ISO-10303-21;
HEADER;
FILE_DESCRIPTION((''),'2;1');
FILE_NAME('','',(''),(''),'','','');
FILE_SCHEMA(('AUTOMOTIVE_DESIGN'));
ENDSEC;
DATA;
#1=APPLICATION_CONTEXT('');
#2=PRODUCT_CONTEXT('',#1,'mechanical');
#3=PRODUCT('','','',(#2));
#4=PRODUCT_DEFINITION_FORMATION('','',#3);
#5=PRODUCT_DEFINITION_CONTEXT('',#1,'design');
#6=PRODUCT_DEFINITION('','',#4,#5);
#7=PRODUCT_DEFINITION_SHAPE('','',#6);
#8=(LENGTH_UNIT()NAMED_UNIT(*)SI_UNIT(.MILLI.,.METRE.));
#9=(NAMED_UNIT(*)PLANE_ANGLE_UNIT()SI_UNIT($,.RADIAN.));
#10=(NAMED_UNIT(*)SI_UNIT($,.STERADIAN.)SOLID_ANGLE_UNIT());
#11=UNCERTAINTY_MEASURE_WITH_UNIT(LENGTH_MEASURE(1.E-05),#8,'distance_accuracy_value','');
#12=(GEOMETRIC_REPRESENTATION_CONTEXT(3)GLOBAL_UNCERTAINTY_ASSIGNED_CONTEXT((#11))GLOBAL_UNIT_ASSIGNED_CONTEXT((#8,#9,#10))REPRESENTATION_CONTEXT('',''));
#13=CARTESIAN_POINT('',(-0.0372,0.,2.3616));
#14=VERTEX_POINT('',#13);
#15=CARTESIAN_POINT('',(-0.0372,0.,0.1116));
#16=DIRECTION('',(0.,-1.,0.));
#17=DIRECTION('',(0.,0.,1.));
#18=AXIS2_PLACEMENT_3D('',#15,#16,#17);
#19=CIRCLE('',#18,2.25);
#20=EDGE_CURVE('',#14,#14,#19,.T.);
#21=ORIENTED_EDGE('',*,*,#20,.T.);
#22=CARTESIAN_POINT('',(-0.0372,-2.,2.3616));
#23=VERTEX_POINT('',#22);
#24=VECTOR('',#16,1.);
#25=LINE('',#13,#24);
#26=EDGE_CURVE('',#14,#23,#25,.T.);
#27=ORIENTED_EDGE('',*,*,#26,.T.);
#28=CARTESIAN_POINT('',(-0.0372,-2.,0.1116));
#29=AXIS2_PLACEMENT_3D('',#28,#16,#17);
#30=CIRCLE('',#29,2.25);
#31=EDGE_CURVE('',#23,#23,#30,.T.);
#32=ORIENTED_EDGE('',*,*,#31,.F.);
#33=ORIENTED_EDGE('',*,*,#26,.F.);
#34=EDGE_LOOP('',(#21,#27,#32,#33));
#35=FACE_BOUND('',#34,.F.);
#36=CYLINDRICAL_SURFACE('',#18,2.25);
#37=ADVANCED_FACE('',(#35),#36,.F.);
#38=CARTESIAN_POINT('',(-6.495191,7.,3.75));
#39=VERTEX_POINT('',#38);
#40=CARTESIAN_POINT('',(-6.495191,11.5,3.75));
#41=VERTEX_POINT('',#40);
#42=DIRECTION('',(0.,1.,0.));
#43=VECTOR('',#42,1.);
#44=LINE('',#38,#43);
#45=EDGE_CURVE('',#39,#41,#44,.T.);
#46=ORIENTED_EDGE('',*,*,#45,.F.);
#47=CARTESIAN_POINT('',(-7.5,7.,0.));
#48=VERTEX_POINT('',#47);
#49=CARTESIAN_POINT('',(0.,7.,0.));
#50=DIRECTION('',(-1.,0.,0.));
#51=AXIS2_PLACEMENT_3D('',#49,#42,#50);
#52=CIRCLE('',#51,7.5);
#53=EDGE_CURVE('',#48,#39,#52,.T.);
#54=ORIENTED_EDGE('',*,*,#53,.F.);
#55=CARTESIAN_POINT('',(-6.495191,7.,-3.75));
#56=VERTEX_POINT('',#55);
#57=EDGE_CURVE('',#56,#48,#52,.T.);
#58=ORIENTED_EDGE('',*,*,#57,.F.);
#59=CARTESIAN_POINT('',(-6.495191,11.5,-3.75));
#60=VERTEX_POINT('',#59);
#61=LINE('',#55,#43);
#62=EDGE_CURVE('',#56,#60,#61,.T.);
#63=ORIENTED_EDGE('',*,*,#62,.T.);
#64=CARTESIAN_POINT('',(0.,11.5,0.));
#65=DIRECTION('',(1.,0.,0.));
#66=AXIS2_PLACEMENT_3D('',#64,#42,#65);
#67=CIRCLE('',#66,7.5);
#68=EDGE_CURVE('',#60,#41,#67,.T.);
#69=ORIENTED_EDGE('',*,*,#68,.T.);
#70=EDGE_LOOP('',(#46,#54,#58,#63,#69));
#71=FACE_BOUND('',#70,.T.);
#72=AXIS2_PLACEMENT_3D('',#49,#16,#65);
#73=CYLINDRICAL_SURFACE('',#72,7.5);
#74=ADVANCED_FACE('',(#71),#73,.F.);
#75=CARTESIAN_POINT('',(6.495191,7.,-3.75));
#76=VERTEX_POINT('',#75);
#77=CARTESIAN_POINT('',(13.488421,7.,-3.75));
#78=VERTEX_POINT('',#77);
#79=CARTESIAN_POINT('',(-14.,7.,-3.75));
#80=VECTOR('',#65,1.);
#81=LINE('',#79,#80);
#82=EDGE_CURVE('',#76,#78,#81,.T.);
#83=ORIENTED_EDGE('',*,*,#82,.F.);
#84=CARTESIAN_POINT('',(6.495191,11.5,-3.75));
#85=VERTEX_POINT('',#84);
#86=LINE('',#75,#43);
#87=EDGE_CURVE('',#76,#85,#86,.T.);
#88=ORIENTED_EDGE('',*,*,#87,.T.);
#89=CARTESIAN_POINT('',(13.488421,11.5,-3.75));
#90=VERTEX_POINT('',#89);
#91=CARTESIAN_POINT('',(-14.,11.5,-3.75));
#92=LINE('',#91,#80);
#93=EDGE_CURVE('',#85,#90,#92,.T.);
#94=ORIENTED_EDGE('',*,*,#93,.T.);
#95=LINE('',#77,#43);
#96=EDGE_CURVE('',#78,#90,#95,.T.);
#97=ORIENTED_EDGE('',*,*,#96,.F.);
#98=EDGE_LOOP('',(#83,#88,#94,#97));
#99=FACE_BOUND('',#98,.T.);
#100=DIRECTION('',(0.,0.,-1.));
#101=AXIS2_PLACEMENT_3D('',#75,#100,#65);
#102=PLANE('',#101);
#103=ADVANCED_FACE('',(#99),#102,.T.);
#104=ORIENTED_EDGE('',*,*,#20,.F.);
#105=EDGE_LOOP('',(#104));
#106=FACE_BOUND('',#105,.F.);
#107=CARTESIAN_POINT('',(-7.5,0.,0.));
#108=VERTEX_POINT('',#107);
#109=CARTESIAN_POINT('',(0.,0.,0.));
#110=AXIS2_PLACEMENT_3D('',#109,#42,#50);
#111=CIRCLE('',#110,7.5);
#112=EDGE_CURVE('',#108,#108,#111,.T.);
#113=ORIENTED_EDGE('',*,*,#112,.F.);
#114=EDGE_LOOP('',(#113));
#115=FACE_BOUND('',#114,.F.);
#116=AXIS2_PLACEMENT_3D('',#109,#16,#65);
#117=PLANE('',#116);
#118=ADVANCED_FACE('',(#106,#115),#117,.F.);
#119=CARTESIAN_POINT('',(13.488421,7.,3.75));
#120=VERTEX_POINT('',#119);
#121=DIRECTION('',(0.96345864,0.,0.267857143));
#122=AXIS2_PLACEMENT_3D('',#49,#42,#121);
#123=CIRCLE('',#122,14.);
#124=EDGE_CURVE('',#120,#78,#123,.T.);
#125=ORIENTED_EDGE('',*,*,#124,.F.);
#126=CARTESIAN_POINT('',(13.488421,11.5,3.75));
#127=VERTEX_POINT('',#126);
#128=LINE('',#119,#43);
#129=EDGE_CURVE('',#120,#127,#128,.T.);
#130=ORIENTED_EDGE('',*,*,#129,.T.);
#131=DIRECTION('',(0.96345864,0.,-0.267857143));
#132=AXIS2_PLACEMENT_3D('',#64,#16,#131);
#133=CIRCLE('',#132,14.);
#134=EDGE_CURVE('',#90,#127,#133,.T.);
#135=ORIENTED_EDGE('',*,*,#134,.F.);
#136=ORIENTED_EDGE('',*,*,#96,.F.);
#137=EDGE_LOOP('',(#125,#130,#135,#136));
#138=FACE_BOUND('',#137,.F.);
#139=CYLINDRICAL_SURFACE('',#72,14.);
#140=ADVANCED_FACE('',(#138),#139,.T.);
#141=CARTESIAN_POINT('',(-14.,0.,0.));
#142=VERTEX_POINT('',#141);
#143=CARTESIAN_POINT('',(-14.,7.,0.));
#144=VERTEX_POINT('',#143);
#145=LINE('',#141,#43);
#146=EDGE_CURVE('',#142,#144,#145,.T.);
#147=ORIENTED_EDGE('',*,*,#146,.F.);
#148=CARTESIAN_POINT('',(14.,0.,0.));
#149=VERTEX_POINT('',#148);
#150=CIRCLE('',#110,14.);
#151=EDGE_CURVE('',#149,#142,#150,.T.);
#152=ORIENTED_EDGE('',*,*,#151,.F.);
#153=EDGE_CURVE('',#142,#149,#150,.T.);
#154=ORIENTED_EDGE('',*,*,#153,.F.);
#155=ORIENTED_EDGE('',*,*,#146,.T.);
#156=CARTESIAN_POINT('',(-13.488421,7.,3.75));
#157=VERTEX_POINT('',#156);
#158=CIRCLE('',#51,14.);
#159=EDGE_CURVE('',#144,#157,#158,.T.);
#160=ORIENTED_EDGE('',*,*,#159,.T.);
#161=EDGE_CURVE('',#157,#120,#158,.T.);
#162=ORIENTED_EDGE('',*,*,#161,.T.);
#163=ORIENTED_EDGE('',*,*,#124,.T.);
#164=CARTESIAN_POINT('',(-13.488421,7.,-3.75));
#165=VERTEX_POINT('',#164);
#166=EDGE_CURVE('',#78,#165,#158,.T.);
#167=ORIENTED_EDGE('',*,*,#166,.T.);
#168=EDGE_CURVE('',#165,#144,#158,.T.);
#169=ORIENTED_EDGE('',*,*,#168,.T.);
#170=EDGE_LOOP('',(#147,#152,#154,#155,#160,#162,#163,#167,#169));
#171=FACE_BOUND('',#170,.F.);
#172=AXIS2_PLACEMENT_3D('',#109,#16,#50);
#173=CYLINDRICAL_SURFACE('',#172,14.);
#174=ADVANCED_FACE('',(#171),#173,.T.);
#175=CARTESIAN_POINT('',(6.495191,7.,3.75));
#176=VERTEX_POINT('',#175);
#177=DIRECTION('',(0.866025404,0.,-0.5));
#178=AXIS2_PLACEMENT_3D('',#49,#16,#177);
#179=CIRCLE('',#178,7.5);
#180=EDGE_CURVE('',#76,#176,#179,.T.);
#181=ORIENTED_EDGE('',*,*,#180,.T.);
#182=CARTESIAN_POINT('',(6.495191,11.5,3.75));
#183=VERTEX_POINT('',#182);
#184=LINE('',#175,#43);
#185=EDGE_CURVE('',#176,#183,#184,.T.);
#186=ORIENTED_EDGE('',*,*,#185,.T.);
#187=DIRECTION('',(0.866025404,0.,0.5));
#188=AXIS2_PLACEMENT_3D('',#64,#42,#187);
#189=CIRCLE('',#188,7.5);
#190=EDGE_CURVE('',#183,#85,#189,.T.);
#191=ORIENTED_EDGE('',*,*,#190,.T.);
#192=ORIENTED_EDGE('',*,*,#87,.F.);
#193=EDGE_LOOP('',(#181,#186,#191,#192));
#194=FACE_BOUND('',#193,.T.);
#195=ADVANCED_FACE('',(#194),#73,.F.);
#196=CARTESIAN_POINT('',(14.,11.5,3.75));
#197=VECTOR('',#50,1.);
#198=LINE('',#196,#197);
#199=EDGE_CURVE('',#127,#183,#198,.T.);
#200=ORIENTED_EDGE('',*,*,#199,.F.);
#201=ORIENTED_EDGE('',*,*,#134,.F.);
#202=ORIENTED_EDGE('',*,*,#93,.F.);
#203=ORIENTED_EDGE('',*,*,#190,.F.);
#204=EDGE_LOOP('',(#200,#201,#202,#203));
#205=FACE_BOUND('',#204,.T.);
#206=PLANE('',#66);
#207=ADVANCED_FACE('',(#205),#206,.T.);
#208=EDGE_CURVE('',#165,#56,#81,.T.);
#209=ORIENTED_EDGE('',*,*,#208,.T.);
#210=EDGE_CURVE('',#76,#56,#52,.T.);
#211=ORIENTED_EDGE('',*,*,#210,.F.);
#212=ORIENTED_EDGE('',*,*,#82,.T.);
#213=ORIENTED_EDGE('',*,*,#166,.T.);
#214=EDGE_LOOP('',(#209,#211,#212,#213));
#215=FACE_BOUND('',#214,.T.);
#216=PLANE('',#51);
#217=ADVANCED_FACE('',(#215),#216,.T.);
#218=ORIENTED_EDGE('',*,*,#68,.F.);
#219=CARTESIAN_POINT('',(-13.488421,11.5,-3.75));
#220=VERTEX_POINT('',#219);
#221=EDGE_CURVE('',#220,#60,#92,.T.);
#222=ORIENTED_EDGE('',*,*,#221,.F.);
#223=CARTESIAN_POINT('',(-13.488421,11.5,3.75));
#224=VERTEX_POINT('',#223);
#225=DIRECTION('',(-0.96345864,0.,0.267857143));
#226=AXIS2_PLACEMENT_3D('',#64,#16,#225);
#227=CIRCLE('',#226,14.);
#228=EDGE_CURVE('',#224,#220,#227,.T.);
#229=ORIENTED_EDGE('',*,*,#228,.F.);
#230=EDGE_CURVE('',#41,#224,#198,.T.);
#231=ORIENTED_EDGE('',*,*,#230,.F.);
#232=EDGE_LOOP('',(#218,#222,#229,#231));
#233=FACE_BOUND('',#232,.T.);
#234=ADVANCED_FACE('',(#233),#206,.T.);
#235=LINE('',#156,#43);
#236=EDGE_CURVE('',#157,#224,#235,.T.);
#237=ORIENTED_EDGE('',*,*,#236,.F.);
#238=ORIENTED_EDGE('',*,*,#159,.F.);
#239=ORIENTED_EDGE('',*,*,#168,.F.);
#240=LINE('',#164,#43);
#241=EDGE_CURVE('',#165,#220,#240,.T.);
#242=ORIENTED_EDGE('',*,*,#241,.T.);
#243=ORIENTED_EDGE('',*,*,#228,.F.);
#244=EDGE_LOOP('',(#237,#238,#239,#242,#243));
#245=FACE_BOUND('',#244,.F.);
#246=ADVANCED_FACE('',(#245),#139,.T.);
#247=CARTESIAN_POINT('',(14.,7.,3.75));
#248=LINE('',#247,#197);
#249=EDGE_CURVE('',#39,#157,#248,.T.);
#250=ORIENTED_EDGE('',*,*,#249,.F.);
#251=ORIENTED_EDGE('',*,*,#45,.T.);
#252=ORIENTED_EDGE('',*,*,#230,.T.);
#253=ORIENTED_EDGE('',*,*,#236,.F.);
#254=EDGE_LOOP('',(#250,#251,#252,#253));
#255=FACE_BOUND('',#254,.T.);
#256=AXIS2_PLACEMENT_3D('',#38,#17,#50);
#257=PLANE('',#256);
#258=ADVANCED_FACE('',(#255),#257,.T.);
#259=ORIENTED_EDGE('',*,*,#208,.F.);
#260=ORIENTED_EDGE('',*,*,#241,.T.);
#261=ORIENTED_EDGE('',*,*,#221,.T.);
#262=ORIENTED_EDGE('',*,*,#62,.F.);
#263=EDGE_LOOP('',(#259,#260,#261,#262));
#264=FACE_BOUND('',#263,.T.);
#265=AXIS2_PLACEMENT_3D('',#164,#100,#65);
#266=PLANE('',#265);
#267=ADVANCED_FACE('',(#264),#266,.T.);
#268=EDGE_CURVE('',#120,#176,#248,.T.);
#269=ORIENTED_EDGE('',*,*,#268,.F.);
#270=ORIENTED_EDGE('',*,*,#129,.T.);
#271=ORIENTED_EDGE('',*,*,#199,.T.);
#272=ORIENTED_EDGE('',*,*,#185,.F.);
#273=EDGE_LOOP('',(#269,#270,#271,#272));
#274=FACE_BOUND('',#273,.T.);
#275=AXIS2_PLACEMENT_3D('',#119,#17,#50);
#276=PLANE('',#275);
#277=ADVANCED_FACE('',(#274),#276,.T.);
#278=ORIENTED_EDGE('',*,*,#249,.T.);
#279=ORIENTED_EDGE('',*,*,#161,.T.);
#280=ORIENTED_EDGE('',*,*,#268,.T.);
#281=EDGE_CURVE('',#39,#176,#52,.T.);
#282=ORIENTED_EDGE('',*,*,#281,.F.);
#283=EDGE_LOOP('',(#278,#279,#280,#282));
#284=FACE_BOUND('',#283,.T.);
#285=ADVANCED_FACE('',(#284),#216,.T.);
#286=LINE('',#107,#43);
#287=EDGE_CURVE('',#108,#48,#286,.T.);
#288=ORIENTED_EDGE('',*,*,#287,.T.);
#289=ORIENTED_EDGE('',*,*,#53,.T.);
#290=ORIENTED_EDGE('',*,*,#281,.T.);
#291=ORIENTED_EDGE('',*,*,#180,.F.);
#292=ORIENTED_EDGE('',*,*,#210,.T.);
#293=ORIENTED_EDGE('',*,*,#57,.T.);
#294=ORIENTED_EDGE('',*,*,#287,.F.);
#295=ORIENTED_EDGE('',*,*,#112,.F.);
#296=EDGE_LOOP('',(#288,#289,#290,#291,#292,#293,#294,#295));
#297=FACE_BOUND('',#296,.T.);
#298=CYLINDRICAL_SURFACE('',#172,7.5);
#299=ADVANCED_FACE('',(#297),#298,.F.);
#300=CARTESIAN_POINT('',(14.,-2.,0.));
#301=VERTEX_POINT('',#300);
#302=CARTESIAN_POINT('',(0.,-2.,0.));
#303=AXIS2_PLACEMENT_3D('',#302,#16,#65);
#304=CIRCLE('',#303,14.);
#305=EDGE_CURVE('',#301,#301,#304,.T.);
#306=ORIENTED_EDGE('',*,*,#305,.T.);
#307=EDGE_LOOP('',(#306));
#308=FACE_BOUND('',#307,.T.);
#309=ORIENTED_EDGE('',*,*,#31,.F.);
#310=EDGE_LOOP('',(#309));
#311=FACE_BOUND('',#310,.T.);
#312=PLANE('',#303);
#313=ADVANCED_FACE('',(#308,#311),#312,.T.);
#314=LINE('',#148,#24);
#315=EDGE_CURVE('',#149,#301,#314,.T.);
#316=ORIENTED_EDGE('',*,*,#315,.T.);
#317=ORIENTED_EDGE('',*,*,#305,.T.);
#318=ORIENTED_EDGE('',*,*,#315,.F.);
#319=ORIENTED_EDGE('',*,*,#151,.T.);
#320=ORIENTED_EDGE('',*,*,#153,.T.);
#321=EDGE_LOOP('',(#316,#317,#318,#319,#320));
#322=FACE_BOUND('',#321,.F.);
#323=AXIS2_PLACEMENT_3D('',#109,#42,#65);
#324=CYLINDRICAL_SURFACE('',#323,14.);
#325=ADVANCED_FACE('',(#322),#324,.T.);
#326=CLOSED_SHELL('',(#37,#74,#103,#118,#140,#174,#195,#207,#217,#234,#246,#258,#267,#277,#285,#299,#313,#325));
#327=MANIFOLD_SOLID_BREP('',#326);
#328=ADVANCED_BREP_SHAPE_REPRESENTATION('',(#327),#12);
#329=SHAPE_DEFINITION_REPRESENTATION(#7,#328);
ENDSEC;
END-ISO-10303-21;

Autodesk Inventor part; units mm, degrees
ref_plane "YZ Plane" through (0, 0, 0) normal (1, 0, 0) x (0, 1, 0)
ref_plane "XZ Plane" through (0, 0, 0) normal (0, 1, 0) x (-1, 0, 0)
ref_plane "XY Plane" through (0, 0, 0) normal (0, 0, 1) x (1, 0, 0)
sketch "Sketch1" plane through (0, 0, 0) normal (0, 1, 0) x (-1, 0, 0)
  circle A0 centre (0, 0) radius 14
  circle A1 centre (0, 0) radius 7.5
  dimension "d0" = 28
  dimension "d1" = 15
extrude "Extrusion1" add sketch "Sketch1" along normal blind 7
sketch "Sketch2" plane through (0, 7, 0) normal (0, 1, 0) x (1, 0, 0)
  line L0 (14, -3.75) -> (-14, -3.75)
  line L1 (-14, -3.75) -> (-14, 3.75)
  line L2 (-14, 3.75) -> (14, 3.75)
  line L3 (14, 3.75) -> (14, -3.75)
  line L4 (14, -3.75) -> (-14, 3.75) construction
  line L5 (-14, -3.75) -> (14, 3.75) construction
  line L6 (-0.5, 5) -> (0.5, 5)
  line L7 (0.5, 5) -> (0.5, -5)
  line L8 (0.5, -5) -> (-0.5, -5)
  line L9 (-0.5, -5) -> (-0.5, 5)
  line L10 (-0.5, 5) -> (0.5, -5) construction
  line L11 (0.5, 5) -> (-0.5, -5) construction
  circle A0 centre (0, 0) radius 7.5
  circle A1 centre (0, 0) radius 14
  point P0 (0, 0)
  point P1 (-13.4884, 3.75)
  point P2 (-13.4884, -3.75)
  point P3 (-6.4952, -3.75)
  point P4 (-6.4952, 3.75)
  point P5 (13.4884, 3.75)
  point P6 (6.4952, 3.75)
  point P7 (6.4952, -3.75)
  point P8 (13.4884, -3.75)
  dimension "d4" = 28
  dimension "d5" = 7.5
  dimension "d27" = 15
  dimension "d28" = 28
sketch "Sketch3" plane through (0, 0, 0) normal (0, -1, 0) x (1, 0, 0)
  circle A0 centre (0, 0) radius 14
  dimension "d17" = 28
extrude "Extrusion3" add sketch "Sketch3" along normal blind 2
sketch "Sketch5" plane through (0, 0, 0) normal (0, 1, 0) x (1, 0, 0)
  point P0 (0, 0)
  point P1 (-0.0372, -0.1116)
hole "Hole2" at (-0.0372, 0, 0.1116) direction (0, -1, 0) diameter 4.5 end through all clearance for "Hex Head Machine Screw" size "M4" standard "Ansi Metric M Profile"
extrude "Extrusion4" add sketch "Sketch2" along normal blind 4.5 contours L0 A0 L2 A1 | A1 L2 A0 L0
properties part number "magneticslotV1"
